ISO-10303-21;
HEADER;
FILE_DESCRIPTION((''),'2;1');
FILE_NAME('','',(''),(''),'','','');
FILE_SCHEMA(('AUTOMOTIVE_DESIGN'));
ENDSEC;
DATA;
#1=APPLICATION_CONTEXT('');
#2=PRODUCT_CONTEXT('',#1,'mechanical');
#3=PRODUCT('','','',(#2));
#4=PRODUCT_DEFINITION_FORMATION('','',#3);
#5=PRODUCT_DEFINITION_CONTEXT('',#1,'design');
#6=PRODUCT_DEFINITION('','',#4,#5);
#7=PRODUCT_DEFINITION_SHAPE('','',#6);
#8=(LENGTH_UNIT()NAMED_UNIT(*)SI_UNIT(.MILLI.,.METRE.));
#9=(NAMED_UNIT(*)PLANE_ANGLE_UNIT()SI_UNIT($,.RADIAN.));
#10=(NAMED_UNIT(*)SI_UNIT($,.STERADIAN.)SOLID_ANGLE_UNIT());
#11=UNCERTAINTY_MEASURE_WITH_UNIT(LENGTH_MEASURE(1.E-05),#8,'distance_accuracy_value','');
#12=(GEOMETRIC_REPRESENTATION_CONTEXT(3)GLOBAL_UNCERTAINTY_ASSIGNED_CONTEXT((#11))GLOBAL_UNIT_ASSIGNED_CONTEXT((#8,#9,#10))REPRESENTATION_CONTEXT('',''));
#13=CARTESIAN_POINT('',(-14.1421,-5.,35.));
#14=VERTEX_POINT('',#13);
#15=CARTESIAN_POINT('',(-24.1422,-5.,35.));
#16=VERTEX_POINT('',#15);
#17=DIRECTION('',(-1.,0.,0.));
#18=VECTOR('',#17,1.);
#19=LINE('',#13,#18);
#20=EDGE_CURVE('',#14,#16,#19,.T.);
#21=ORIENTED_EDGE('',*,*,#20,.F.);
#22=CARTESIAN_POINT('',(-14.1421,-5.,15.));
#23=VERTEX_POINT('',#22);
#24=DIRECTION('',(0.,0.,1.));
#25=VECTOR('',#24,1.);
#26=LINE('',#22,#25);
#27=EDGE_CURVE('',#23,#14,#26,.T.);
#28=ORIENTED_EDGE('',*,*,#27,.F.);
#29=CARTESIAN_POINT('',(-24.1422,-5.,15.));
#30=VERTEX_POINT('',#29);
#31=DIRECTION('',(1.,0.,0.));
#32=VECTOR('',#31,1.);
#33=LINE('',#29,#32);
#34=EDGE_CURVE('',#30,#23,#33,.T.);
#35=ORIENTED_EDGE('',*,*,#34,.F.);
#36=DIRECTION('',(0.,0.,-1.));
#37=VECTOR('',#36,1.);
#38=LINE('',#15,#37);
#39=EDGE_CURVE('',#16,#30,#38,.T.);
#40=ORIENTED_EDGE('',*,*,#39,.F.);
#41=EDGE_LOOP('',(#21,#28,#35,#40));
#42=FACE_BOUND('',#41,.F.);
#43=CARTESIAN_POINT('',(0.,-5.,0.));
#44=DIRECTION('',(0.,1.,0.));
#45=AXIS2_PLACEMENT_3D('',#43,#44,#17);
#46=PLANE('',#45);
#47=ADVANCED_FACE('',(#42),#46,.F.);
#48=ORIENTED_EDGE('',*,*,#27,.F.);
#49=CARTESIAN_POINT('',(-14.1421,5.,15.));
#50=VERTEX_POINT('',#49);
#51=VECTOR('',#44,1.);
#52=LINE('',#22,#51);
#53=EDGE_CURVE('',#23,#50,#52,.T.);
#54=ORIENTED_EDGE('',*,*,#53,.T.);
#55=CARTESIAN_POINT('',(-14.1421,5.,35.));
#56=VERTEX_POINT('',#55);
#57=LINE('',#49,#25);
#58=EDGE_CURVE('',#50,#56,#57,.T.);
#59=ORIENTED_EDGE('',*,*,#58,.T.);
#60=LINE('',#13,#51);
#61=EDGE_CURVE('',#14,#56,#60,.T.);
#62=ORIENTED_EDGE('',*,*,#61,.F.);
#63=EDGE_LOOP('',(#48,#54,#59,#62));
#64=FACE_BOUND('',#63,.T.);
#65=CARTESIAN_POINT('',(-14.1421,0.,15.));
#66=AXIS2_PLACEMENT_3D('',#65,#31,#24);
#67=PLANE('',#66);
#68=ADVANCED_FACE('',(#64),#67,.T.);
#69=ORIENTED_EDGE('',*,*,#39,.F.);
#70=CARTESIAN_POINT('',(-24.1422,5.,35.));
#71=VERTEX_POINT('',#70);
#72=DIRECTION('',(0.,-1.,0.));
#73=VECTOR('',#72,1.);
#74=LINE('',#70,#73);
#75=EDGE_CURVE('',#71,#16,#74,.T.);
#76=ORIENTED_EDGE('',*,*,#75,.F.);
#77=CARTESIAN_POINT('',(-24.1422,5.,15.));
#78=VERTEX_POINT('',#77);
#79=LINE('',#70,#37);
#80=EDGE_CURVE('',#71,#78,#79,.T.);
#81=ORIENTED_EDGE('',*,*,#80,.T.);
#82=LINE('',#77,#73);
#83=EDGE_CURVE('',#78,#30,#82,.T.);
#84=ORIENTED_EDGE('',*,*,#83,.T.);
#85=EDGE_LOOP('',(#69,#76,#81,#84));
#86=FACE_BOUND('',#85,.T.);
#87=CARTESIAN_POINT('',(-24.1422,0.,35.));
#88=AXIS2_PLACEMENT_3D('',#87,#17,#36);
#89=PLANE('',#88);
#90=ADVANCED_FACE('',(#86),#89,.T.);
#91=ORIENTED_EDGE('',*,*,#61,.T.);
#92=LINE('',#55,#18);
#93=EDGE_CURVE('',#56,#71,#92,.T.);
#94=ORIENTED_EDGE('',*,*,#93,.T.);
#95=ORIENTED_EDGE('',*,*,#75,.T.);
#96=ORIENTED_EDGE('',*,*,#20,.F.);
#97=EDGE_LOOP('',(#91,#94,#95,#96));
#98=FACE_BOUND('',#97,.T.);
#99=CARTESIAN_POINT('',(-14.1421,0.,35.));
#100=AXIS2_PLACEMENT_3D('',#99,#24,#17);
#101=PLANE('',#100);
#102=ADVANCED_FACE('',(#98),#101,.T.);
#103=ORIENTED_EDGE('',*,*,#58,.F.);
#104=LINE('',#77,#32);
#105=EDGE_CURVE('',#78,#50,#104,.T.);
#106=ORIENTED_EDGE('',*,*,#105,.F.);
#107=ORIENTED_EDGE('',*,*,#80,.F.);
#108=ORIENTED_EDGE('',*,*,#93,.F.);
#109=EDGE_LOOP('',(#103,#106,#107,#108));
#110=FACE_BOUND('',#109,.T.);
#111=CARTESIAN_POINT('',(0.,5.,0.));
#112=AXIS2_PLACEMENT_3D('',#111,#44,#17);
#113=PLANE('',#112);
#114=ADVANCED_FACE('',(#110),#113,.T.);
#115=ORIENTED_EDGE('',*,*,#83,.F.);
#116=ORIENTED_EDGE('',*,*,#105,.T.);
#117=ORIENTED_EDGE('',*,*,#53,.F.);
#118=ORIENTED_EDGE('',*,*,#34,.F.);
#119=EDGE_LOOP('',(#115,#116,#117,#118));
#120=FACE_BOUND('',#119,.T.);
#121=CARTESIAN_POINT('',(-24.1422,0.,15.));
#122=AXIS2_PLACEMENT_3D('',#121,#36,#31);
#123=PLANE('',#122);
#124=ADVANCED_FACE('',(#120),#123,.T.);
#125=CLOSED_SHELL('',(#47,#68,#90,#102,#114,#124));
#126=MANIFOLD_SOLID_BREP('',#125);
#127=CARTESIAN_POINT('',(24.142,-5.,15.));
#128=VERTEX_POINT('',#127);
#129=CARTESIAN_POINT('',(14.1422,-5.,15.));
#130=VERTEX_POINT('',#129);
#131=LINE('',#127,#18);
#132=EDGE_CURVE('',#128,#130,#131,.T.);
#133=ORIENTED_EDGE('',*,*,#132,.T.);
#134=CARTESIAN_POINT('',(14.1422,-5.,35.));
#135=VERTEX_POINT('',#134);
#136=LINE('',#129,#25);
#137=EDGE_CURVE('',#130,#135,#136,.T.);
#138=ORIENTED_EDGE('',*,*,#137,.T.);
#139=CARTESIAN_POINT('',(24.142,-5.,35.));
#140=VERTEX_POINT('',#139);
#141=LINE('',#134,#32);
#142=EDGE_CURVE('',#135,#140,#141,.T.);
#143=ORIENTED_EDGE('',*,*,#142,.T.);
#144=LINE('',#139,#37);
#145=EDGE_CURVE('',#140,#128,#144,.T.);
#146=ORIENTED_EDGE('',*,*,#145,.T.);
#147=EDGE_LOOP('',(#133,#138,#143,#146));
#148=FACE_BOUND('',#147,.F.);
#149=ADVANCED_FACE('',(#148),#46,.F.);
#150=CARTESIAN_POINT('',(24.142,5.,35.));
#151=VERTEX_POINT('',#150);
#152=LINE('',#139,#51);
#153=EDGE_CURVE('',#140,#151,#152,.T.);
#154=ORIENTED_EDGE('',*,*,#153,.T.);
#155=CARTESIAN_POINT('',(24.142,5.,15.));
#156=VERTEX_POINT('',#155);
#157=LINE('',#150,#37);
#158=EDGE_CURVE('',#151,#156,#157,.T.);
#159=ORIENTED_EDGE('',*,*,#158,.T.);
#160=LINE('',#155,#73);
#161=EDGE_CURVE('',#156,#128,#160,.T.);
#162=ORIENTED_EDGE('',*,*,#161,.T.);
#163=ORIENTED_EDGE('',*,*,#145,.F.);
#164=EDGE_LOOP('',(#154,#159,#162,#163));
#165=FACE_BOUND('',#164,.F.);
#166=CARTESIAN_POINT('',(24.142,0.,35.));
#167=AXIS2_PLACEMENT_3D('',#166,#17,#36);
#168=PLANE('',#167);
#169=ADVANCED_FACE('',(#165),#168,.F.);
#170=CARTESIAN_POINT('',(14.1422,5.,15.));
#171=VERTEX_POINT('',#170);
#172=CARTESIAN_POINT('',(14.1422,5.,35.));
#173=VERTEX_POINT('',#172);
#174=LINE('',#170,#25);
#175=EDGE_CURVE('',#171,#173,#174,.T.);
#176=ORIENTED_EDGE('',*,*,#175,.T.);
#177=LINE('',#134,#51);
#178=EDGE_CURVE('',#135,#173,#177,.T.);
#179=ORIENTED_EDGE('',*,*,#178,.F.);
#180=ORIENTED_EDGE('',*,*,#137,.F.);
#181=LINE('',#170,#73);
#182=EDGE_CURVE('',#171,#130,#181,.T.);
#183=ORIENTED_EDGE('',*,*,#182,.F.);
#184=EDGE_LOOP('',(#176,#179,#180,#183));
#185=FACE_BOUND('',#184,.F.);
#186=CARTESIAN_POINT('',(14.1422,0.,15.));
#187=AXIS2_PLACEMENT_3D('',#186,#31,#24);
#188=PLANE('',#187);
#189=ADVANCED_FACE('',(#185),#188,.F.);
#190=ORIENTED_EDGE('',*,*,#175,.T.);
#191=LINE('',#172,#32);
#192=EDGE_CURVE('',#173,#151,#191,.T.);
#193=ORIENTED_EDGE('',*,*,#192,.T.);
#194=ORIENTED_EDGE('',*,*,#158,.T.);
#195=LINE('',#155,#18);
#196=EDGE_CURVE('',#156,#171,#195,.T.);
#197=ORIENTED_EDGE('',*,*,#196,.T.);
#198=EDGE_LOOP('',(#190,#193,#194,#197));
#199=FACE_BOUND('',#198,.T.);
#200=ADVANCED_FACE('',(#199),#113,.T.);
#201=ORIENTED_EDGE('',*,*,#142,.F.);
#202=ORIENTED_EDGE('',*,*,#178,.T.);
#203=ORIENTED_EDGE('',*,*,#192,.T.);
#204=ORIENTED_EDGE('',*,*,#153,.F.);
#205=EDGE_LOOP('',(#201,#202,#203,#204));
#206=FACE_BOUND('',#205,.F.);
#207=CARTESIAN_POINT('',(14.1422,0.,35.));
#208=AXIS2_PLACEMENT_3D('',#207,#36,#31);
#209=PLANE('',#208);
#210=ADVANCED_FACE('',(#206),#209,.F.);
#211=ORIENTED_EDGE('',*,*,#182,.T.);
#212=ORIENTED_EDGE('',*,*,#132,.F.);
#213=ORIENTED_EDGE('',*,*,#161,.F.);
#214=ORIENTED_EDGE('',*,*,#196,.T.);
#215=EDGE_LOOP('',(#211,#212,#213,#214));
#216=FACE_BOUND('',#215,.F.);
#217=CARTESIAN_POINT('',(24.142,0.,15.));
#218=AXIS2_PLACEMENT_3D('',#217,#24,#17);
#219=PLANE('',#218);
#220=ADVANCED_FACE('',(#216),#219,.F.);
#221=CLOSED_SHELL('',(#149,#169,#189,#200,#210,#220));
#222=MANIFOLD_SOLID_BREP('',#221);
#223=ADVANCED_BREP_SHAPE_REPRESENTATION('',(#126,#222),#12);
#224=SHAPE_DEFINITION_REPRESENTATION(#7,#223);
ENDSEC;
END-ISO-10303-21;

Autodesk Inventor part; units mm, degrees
ref_plane "YZ Plane" through (0, 0, 0) normal (1, 0, 0) x (0, 1, 0)
ref_plane "XZ Plane" through (0, 0, 0) normal (0, 1, 0) x (-1, 0, 0)
ref_plane "XY Plane" through (0, 0, 0) normal (0, 0, 1) x (1, 0, 0)
sketch "Опоры" plane through (0, 0, 0) normal (0, 1, 0) x (-1, 0, 0)
  line L0 (-14.1422, 35) -> (-24.142, 35)
  line L1 (-24.142, 35) -> (-24.142, 15)
  line L2 (-24.142, 15) -> (-14.1422, 15)
  line L3 (-14.1422, 15) -> (-14.1422, 35)
  line L4 (14.1421, 35) -> (24.1422, 35)
  line L5 (24.1422, 35) -> (24.1422, 15)
  line L6 (24.1422, 15) -> (14.1421, 15)
  line L7 (14.1421, 15) -> (14.1421, 35)
  point P0 (0, 0)
extrude "Выдавливание8" add sketch "Опоры" along normal mid plane 10
properties part number "Опоры"
